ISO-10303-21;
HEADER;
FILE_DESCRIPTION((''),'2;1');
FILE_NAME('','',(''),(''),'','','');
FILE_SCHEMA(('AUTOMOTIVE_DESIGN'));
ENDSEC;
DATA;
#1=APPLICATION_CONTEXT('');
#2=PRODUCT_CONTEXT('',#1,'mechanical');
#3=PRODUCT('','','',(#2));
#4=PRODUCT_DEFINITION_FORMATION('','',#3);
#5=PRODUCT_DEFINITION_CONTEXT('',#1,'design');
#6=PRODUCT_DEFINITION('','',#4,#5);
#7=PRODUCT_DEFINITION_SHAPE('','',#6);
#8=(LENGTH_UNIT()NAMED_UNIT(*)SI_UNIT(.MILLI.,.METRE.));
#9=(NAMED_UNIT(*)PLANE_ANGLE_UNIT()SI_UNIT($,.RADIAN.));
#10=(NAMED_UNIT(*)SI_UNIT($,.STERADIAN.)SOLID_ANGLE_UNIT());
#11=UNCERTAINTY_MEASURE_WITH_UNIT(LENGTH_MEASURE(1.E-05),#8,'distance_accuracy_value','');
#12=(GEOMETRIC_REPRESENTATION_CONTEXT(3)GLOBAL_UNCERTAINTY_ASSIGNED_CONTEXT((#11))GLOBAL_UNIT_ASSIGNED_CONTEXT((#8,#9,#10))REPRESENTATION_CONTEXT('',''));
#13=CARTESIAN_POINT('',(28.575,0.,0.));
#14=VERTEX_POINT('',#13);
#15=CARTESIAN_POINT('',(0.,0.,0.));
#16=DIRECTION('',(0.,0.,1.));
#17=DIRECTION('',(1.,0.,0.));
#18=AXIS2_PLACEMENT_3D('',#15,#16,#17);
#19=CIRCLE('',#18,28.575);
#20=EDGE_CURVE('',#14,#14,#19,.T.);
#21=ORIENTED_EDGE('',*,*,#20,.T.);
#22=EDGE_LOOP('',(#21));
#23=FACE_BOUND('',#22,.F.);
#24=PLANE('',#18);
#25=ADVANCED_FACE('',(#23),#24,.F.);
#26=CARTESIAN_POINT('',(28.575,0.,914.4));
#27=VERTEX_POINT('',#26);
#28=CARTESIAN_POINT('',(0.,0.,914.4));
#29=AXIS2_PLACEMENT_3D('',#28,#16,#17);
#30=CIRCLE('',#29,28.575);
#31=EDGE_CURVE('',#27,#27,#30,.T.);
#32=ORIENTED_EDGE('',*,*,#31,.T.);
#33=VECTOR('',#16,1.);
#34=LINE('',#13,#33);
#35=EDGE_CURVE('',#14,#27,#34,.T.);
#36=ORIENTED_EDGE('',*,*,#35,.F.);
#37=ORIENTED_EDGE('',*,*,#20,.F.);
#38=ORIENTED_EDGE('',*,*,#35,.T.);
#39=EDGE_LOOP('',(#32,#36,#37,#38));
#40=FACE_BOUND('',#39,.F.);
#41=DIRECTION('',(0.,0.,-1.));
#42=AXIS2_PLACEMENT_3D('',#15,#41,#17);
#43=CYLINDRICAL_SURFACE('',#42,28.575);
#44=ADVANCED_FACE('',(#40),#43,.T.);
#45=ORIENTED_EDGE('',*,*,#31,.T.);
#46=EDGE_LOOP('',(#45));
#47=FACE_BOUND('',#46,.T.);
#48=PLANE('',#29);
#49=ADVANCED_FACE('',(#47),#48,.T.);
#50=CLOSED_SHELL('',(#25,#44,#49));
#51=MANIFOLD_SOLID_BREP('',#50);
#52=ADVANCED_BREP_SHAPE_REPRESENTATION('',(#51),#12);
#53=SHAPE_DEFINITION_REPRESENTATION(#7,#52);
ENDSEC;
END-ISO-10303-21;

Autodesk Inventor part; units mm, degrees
ref_plane "YZ Plane" through (0, 0, 0) normal (1, 0, 0) x (0, 1, 0)
ref_plane "XZ Plane" through (0, 0, 0) normal (0, 1, 0) x (-1, 0, 0)
ref_plane "XY Plane" through (0, 0, 0) normal (0, 0, 1) x (1, 0, 0)
sketch "Sketch1" plane through (0, 0, 0) normal (0, 0, 1) x (1, 0, 0)
  circle A0 centre (0, 0) radius 28.575
  dimension "d0" = 57.15
extrude "Extrusion1" add sketch "Sketch1" along normal blind 914.4
properties part number "2.25 bar x 3ft" material "Steel, Alloy"
